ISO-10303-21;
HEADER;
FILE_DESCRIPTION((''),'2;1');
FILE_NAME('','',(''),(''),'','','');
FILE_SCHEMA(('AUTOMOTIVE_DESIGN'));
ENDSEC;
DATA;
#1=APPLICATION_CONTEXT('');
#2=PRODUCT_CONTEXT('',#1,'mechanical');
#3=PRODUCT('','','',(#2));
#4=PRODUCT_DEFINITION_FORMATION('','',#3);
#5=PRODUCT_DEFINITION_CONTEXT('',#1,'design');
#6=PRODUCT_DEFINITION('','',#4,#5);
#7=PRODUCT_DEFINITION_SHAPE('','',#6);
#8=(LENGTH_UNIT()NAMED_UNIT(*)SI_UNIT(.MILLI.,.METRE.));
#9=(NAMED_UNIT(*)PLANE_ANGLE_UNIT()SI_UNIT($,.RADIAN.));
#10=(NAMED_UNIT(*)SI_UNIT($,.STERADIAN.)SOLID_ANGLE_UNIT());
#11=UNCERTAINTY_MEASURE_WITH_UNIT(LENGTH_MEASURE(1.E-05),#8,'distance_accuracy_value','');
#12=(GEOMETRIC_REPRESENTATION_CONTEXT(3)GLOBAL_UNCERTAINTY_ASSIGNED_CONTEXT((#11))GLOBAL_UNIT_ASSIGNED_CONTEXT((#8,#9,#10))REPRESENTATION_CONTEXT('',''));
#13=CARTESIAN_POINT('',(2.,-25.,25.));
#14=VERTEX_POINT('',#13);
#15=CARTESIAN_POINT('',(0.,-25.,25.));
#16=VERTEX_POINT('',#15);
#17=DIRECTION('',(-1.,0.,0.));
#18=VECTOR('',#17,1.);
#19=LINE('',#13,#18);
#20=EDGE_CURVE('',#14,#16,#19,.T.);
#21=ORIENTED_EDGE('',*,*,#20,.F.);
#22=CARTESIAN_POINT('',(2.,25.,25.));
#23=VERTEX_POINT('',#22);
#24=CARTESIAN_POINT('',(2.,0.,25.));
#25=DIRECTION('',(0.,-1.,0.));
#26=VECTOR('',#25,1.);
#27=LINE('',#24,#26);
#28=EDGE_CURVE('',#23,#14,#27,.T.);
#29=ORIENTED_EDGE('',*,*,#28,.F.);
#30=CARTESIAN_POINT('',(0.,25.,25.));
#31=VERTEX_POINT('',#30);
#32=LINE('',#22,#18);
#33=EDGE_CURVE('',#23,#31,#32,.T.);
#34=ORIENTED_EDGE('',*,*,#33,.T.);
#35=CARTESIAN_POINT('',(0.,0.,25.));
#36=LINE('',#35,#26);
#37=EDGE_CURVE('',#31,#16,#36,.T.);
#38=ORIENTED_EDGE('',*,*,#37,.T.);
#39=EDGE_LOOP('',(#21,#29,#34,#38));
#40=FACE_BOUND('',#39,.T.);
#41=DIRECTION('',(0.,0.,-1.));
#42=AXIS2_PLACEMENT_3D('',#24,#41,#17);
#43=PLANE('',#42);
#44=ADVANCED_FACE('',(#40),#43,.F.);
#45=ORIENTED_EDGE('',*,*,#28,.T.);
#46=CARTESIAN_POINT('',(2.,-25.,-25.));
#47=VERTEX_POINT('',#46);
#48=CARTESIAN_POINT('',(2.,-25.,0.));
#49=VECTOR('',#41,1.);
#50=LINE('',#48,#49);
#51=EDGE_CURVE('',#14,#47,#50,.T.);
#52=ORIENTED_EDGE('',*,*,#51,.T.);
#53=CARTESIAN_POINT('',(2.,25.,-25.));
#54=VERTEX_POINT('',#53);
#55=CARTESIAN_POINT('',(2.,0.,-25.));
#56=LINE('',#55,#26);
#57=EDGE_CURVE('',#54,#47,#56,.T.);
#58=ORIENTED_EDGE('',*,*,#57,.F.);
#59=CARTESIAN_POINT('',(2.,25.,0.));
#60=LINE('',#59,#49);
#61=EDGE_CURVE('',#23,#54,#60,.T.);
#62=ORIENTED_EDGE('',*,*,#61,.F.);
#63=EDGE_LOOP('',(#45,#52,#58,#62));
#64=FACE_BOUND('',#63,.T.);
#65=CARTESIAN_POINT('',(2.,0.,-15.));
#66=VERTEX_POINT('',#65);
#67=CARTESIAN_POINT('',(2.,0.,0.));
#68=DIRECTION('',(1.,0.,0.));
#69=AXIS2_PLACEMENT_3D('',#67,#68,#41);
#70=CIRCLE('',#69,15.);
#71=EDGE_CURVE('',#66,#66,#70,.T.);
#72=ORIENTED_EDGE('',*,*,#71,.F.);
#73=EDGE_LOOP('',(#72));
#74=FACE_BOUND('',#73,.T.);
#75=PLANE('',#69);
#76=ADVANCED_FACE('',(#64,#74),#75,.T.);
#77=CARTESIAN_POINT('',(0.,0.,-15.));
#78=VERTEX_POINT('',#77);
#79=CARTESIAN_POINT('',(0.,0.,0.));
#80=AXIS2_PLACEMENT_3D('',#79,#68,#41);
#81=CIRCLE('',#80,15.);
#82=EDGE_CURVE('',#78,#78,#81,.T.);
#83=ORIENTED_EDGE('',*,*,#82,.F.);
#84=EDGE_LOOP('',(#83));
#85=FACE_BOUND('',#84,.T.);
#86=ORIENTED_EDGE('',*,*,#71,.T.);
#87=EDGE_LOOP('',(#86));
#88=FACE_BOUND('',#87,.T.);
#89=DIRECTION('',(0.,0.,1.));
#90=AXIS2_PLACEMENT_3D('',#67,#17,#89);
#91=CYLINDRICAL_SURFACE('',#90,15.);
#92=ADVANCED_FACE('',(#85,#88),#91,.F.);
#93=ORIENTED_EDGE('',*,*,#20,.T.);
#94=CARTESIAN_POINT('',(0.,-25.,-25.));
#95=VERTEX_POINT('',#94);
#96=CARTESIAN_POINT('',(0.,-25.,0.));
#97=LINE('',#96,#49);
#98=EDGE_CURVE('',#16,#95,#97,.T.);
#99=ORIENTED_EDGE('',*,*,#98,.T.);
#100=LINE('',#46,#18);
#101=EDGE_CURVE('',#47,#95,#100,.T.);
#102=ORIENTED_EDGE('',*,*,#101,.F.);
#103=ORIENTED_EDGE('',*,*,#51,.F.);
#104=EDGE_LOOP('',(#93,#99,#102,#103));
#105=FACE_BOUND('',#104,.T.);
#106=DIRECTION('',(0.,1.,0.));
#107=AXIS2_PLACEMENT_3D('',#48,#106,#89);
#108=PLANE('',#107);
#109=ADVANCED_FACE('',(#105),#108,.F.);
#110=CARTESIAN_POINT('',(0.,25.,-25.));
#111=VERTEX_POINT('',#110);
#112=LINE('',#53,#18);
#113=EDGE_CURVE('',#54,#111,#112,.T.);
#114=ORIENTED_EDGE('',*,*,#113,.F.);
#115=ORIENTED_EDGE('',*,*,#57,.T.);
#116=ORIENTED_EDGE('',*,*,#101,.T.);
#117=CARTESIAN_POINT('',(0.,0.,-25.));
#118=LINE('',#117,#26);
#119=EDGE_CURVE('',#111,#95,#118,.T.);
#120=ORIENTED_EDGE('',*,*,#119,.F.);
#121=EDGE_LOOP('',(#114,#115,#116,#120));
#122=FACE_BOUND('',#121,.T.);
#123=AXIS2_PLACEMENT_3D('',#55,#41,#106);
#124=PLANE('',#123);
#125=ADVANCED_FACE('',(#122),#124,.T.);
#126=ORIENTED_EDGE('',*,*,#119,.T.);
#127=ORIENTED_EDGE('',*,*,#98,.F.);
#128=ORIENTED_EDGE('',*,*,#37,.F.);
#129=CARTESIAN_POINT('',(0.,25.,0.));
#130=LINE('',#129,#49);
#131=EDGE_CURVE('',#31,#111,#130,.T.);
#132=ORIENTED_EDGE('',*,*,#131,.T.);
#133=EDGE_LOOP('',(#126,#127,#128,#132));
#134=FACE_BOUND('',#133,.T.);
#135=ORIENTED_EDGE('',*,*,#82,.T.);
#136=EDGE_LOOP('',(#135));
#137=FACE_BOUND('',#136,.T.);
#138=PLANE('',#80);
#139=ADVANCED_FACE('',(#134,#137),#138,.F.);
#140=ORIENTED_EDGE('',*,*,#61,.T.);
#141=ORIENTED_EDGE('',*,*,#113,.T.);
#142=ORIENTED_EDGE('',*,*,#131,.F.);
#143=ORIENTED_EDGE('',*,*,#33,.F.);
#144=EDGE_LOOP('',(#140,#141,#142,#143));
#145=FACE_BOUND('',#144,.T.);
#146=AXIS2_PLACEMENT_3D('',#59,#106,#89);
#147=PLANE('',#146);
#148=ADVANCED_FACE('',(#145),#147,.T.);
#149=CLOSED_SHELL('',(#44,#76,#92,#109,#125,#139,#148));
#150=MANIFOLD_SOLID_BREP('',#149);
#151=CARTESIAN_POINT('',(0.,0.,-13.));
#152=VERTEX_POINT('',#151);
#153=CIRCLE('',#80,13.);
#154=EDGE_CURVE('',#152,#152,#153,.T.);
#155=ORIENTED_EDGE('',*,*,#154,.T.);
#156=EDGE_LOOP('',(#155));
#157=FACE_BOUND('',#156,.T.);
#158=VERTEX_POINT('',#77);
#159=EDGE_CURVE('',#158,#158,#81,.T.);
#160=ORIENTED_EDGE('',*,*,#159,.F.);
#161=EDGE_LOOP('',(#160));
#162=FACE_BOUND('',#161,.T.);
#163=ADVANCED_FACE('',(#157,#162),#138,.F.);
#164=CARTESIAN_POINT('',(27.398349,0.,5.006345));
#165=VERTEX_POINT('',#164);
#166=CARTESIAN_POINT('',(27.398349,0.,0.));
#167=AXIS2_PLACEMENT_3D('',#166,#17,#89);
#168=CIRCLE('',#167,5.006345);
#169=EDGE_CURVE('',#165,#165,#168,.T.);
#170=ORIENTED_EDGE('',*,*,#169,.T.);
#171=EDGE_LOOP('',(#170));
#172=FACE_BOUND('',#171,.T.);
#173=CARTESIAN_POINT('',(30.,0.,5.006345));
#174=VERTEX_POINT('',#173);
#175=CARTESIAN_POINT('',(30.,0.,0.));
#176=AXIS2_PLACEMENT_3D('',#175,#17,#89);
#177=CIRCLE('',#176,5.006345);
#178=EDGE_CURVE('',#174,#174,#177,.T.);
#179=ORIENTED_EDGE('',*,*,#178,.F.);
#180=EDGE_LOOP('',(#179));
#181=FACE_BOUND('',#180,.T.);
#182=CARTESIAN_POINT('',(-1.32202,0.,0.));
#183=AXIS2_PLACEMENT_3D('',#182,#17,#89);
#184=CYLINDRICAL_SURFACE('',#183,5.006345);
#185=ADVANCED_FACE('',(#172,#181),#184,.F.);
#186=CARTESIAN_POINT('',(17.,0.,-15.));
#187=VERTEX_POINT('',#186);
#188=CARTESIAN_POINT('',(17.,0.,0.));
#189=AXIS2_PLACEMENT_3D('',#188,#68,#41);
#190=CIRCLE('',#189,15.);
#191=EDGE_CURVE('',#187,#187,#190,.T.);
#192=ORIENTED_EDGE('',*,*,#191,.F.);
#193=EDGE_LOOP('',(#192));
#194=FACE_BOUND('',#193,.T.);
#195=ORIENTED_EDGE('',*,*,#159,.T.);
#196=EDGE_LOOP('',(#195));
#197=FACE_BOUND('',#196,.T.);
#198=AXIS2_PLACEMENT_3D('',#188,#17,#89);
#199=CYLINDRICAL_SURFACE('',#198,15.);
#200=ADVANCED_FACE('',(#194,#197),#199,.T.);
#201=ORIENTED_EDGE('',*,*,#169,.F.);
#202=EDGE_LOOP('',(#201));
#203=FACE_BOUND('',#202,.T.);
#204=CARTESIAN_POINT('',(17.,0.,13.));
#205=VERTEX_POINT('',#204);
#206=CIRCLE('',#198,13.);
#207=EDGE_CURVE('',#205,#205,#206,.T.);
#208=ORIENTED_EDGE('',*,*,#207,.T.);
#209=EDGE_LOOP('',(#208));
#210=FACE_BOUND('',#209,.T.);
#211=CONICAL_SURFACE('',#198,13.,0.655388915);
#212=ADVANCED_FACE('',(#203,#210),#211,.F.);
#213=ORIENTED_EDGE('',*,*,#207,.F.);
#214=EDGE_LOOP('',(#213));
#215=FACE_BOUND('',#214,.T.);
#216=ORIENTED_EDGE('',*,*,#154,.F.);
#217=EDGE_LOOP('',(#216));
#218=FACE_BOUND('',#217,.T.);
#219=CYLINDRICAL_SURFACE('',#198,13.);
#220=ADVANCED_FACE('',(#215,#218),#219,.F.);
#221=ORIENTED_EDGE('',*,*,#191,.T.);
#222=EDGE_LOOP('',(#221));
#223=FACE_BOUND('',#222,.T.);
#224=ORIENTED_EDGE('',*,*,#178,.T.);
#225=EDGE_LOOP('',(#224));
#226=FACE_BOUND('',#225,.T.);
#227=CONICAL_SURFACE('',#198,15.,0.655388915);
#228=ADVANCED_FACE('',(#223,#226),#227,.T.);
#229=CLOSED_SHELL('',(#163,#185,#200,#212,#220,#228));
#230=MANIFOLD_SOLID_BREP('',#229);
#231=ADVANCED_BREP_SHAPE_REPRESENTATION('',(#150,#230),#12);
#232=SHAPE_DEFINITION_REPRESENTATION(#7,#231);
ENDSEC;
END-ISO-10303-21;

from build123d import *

# Parameters (mm, degrees)
SKETCH1_R           = 15
SKETCH1_R_2         = 13
BOSS_EXTRUDE1_DEPTH = 17
SKETCH1_4_W         = 50
SKETCH1_4_H         = 50
SKETCH1_4_R         = 15
BOSS_EXTRUDE2_DEPTH = 2


with BuildPart() as part:
    # Sketch1 → Boss-Extrude1 (new body)
    with BuildSketch(Plane(origin=(0, 0, 0), x_dir=(0, 0, -1), z_dir=(1, 0, 0))):
        Circle(SKETCH1_R)
        Circle(SKETCH1_R_2, mode=Mode.SUBTRACT)
    extrude(amount=BOSS_EXTRUDE1_DEPTH)

    # Sketch5 → Revolve1 (revolve)
    with BuildSketch(Plane(origin=(0, 0, 0), x_dir=(1, 0, 0), z_dir=(0, 1, 0))):
        Polygon((17, 15), (30, 5.00634506), (27.398349237, 5.00634506), (17, 13), align=None)
    revolve(axis=Axis((-1.32201978, 0, 0), (1, 0, 0)))


with BuildPart() as body_2:
    # Sketch1<4> → Boss-Extrude2 (new body)
    with BuildSketch(Plane(origin=(0, 0, 0), x_dir=(0, 0, -1), z_dir=(1, 0, 0))):
        Rectangle(SKETCH1_4_W, SKETCH1_4_H)
        Circle(SKETCH1_4_R, mode=Mode.SUBTRACT)
    extrude(amount=BOSS_EXTRUDE2_DEPTH)


solid = Compound([part.part, body_2.part])
